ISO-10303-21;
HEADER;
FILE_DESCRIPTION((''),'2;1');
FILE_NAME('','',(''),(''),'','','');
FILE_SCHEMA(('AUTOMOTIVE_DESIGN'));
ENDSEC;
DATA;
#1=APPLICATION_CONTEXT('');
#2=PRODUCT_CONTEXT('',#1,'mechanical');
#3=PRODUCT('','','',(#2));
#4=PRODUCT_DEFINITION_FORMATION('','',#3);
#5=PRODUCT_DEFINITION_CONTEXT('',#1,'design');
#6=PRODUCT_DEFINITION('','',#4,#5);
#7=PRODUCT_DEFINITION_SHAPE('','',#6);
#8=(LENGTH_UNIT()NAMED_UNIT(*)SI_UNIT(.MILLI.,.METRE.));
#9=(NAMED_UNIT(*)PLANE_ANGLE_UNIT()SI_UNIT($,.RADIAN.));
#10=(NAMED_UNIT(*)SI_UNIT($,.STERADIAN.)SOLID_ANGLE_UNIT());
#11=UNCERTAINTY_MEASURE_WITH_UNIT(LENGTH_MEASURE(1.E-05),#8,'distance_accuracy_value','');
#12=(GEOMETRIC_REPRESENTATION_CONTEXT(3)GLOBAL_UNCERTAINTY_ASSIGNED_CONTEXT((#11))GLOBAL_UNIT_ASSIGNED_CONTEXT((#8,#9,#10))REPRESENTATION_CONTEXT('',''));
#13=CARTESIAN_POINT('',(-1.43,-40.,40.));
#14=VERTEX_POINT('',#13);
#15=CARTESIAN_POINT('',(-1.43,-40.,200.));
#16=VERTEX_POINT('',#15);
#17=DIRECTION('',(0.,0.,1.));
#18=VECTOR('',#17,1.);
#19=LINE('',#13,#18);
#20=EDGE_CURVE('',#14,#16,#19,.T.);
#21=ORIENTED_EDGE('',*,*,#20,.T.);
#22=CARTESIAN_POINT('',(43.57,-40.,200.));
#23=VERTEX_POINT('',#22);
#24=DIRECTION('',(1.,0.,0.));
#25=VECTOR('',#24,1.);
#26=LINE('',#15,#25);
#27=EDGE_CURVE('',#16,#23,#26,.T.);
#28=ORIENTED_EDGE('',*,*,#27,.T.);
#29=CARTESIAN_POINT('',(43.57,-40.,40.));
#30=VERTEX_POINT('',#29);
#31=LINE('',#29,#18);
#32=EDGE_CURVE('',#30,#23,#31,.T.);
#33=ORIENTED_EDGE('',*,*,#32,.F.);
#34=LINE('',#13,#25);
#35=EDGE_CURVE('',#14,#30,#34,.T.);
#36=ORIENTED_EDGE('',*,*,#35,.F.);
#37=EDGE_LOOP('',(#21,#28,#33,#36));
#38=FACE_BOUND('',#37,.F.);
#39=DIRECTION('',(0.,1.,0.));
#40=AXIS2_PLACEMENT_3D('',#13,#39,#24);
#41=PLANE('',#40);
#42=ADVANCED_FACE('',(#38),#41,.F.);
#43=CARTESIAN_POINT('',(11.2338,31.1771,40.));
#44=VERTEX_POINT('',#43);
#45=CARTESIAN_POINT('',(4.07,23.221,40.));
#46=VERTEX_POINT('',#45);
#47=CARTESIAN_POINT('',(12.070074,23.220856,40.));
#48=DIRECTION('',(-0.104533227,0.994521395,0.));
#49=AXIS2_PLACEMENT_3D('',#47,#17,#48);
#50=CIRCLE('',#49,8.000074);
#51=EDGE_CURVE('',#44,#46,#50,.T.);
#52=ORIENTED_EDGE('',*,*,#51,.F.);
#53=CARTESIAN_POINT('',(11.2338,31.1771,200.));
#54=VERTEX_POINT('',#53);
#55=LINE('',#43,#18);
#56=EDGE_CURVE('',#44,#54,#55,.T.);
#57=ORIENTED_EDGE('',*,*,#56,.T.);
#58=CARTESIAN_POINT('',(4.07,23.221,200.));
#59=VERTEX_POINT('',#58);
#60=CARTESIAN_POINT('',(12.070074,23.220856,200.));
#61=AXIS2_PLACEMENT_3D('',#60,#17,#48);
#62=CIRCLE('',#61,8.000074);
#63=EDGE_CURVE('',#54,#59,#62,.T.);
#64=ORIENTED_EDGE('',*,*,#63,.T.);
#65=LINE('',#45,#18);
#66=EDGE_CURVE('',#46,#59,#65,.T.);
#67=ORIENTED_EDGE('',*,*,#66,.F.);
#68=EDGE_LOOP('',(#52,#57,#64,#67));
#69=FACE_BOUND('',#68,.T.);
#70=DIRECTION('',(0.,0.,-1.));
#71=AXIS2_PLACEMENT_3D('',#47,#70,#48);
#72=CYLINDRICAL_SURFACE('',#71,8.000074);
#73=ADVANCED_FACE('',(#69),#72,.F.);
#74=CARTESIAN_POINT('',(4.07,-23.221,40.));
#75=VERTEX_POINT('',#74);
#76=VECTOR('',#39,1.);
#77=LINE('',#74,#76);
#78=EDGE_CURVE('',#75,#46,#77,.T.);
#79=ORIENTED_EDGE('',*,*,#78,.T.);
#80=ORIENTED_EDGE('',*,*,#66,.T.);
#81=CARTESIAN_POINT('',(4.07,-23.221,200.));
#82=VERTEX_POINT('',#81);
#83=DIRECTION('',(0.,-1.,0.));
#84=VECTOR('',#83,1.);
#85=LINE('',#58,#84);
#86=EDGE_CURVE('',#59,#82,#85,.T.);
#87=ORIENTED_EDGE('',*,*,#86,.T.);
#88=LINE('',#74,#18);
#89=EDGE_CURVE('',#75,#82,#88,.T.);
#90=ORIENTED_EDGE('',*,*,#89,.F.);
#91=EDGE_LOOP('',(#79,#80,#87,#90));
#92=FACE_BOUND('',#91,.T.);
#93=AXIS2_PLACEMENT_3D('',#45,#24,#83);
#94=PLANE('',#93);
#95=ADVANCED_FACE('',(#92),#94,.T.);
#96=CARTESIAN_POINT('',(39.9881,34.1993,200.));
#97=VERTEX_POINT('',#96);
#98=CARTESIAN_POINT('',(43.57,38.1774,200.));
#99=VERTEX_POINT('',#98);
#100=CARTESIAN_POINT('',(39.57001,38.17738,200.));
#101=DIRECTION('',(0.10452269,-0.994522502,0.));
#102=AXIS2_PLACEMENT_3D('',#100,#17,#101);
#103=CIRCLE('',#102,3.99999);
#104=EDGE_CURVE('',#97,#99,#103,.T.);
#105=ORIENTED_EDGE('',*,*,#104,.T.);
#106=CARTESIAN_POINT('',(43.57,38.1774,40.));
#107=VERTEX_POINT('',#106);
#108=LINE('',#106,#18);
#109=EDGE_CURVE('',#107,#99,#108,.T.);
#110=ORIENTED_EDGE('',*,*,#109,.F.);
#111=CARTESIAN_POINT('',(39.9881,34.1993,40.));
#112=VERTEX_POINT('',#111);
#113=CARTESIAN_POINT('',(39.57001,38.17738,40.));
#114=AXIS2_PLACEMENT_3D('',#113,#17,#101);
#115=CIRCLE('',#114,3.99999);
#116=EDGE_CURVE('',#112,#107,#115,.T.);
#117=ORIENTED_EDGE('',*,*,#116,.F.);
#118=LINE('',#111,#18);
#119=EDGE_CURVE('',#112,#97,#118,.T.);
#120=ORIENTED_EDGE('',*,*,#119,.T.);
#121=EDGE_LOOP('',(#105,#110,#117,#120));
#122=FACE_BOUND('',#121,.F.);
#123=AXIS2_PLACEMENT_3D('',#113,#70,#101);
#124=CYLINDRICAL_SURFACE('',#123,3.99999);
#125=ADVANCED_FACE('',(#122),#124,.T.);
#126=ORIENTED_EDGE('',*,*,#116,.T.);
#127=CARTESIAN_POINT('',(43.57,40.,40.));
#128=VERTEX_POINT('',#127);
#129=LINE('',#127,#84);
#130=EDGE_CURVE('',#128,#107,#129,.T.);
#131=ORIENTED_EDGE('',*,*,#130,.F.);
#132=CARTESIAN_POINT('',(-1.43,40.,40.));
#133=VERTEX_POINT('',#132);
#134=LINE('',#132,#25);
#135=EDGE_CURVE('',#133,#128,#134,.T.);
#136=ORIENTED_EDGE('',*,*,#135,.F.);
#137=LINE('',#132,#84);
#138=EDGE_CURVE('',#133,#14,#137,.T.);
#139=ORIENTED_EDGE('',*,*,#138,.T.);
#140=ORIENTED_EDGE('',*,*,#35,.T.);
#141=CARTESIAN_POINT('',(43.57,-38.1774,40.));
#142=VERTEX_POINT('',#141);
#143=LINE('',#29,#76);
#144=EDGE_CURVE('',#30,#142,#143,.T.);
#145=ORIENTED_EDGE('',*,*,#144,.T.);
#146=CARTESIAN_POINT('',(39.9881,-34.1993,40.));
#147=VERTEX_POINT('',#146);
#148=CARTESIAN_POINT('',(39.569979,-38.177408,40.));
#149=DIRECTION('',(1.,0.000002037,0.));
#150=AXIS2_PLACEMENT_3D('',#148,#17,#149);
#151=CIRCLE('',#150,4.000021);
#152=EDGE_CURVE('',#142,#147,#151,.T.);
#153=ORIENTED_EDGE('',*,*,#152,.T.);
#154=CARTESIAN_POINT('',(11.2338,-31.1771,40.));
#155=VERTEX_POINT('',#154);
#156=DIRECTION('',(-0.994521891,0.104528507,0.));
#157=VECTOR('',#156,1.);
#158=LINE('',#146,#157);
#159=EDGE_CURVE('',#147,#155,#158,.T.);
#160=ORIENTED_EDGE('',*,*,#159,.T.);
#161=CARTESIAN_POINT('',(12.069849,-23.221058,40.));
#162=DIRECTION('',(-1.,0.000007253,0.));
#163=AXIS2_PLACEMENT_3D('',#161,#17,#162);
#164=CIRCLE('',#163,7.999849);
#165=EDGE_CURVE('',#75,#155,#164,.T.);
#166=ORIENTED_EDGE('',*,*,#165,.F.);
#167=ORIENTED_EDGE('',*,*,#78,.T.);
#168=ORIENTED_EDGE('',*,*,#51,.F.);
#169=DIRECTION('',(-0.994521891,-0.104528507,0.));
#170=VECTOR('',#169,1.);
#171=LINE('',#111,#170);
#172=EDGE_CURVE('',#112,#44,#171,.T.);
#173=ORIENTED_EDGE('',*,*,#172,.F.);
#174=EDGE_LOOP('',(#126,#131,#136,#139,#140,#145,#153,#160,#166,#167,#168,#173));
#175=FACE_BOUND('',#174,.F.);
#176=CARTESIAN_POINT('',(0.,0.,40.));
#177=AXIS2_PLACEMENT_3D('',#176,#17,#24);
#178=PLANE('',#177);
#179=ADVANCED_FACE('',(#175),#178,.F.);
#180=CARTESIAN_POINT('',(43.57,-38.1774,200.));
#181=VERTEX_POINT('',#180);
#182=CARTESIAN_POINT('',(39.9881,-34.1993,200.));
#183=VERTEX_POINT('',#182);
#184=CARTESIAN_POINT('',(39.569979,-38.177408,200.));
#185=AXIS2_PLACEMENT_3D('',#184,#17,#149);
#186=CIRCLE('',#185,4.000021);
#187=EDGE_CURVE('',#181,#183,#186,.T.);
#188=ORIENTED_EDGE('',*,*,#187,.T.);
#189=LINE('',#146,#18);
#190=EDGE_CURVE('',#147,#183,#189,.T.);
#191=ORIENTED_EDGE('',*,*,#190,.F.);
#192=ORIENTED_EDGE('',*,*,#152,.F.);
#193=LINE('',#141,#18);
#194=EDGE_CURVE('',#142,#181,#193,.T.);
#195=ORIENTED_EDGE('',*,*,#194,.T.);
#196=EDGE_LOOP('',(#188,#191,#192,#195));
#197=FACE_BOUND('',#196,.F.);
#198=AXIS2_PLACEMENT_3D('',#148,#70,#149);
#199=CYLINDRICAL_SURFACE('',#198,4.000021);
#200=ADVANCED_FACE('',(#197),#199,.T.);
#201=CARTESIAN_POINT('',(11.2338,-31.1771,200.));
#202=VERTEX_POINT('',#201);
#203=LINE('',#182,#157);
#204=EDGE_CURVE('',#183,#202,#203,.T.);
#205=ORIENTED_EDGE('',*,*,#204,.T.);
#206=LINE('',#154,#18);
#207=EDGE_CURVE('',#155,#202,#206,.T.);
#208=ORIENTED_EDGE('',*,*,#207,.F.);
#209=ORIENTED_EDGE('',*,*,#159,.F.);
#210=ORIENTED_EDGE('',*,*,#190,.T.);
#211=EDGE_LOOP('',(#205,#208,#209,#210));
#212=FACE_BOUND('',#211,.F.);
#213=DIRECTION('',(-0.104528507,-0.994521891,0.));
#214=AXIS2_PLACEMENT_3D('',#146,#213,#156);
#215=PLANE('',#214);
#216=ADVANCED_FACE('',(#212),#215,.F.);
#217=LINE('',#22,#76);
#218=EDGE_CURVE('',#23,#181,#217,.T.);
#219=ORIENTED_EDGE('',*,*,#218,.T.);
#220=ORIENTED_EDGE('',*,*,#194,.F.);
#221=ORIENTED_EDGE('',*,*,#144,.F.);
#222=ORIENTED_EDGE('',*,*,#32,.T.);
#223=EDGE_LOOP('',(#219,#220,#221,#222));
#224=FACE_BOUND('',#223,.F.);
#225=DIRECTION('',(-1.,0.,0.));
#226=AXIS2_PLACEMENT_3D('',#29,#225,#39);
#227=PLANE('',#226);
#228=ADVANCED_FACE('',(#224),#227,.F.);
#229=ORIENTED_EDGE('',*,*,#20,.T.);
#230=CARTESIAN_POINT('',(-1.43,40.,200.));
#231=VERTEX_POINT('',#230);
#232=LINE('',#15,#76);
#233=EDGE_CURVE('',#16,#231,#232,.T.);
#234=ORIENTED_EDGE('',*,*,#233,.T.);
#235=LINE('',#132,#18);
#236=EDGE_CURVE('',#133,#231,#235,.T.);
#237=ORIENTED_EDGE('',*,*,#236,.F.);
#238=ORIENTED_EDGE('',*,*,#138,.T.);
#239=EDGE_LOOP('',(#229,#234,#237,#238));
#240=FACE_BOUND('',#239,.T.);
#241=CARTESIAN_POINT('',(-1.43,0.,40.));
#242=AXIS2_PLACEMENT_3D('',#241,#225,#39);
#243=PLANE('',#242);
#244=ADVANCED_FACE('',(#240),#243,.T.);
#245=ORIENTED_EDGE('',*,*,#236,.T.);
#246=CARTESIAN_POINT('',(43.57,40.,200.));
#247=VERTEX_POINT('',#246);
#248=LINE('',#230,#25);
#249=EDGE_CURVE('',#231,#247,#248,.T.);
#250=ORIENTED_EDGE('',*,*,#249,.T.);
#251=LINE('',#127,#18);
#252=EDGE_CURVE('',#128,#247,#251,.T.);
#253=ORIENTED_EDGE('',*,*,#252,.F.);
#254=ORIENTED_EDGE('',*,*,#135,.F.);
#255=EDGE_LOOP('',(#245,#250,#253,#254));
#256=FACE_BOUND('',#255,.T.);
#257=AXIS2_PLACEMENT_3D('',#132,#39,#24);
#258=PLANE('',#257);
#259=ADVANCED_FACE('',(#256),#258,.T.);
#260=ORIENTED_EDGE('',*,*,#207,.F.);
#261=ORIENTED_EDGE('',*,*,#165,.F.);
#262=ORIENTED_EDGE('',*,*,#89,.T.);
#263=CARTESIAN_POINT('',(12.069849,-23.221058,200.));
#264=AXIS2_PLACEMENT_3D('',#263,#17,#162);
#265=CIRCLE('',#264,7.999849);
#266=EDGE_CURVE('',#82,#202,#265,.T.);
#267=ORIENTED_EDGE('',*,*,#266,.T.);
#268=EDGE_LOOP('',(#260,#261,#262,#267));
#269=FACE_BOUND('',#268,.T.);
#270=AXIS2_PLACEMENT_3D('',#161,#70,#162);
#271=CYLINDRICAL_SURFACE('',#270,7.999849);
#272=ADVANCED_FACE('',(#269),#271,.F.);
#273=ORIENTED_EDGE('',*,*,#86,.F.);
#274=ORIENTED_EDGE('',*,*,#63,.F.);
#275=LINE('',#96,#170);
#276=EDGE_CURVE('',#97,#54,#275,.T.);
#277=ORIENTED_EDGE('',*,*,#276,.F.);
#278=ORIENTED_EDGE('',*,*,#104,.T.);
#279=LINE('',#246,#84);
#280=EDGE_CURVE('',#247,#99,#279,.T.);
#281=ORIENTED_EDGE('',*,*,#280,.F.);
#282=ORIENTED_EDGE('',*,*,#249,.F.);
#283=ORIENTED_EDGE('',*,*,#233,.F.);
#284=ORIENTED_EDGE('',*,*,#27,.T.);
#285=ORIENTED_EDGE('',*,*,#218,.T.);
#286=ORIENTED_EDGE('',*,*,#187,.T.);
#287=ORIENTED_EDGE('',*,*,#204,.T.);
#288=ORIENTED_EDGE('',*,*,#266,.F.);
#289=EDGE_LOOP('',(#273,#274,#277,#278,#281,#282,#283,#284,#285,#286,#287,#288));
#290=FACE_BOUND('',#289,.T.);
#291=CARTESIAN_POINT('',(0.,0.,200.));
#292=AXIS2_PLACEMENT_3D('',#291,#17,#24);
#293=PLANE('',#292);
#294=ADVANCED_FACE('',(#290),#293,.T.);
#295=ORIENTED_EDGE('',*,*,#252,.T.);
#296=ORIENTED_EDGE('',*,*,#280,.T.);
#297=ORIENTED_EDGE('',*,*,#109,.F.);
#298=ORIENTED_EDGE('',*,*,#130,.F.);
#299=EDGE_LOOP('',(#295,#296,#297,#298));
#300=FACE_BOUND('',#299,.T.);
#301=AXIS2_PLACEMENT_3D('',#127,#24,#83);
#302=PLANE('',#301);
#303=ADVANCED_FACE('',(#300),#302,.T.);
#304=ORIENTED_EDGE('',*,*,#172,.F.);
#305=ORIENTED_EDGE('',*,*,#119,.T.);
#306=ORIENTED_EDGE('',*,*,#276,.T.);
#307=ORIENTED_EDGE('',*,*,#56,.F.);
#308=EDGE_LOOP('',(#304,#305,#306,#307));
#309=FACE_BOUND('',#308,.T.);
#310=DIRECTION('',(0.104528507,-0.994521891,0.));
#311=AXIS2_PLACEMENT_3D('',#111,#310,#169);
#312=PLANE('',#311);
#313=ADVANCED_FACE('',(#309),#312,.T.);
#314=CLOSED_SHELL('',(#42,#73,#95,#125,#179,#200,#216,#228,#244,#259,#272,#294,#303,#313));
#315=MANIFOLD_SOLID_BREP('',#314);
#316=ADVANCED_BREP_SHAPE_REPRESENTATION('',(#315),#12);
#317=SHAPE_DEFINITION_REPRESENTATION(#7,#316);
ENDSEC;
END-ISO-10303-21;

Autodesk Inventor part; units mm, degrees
ref_plane "Начальная плоскость" through (0, 0, 40) normal (0, 0, 1) x (1, 0, 0)
ref_plane "Конечная плоскость" through (0, 0, 200) normal (0, 0, 1) x (1, 0, 0)
sketch "Эскиз" plane through (0, 0, 0) normal (0, 0, 1) x (1, 0, 0)
  line L0 (-1.43, 0) -> (-1.43, 40)
  line L1 (-1.43, 40) -> (43.57, 40)
  line L2 (43.57, 40) -> (43.57, 38.1774)
  line L3 (39.9881, 34.1993) -> (11.2338, 31.1771)
  line L4 (4.07, 23.221) -> (4.07, 0)
  line L5 (4.07, 0) -> (-1.43, 0) construction
  line L6 (23.82, 40) -> (23.82, 32.5) construction
  line L7 (43.57, 34.5758) -> (43.57, 32.5) construction
  line L8 (43.57, 32.5) -> (23.82, 32.5) construction
  line L9 (0, 15) -> (0, -27) construction
  line L10 (-5.539, 0) -> (16.0067, 0) construction
  line L11 (-1.43, 0) -> (-1.43, -40)
  line L12 (-1.43, -40) -> (43.57, -40)
  line L13 (43.57, -40) -> (43.57, -38.1774)
  line L14 (39.9881, -34.1993) -> (11.2338, -31.1771)
  line L15 (4.07, -23.221) -> (4.07, 0)
  arc A0 (11.2338, 31.1771) -> (4.07, 23.221) centre (12.07, 23.221) ccw
  arc A1 (4.07, -23.221) -> (11.2338, -31.1771) centre (12.07, -23.221) ccw
  arc A2 (39.9881, 34.1993) -> (43.57, 38.1774) centre (39.57, 38.1774) ccw
  arc A3 (43.57, -38.1774) -> (39.9881, -34.1993) centre (39.57, -38.1774) ccw
  line L16 (0, 56) -> (0, -56) construction
  line L17 (-15.5135, 0) -> (54.308, 0) construction
  point P0 (4.07, 30.4242)
  point P1 (43.57, -34.5758)
  point P2 (4.07, -30.4242)
  point P3 (23.82, -40)
  point P4 (23.82, -32.5)
  dimension "d0" = 5.5
  dimension "d1" = 40
  dimension "d2" = 45
  dimension "d3" = 7.5
  dimension "d4" = 19.75
  dimension "d5" = 2.0758
  dimension "d23" = 8
  dimension "d24" = 4
  dimension "d25" = 1.43
extrude "Тело" add sketch "Эскиз" along normal up to surface (160 mm away) from surface at 40
sketch "Sketch3" plane through (0, 0, 0) normal (0, 0, 1) x (1, 0, 0)
  line L0 (0, 0) -> (10, 0)
ref_plane "Work Plane3" through (0, 0, 0) normal (0, -1, 0) x (1, 0, 0)
sketch "Sketch4" plane through (0, 0, 0) normal (0, -1, 0) x (1, 0, 0)
  line L0 (-2, 40) -> (12, 40)
  line L1 (-2, 200) -> (12, 200)
  dimension "d29" = 160
ref_plane "РабПлоскость4" through (43.57, 295, 200) normal (0, 0, 1) x (1, 0, 0)
split "Разделение1" plane through (43.57, 295, 200) removes the side toward (0, 0, 1)
ref_plane "РабПлоскость5" through (43.57, -375, 40) normal (0, 0, -1) x (-1, 0, 0)
split "Разделение2" plane through (43.57, -375, 40) removes the side toward (0, 0, -1)
equation "\"d0\" = G_T"
equation "\"d1\" = 0.5 * G_H"
equation "\"d2\" = G_W"
equation "\"d3\" = G_T1"
equation "\"d4\" = G_C"
equation "\"d23\" = G_IR"
equation "\"d24\" = G_ER"
equation "\"d25\" = ex"
equation "\"d6\" = G_L"
equation "\"G_W\" = 45"
equation "\"G_T\" = 5.5"
equation "\"G_T1\" = 7.5"
equation "\"G_NG\" = 0.105104"
equation "\"G_ER\" = 4"
equation "\"G_IR\" = 8"
equation "\"G_C\" = 19.75"
equation "\"G_L\" = d29"
equation "\"ex\" = 1.43"
equation "\"G_H\" = 80"
properties part number "ISO 657/11 - CH 80 x 8 - 160" material "Сталь, мягкая"
